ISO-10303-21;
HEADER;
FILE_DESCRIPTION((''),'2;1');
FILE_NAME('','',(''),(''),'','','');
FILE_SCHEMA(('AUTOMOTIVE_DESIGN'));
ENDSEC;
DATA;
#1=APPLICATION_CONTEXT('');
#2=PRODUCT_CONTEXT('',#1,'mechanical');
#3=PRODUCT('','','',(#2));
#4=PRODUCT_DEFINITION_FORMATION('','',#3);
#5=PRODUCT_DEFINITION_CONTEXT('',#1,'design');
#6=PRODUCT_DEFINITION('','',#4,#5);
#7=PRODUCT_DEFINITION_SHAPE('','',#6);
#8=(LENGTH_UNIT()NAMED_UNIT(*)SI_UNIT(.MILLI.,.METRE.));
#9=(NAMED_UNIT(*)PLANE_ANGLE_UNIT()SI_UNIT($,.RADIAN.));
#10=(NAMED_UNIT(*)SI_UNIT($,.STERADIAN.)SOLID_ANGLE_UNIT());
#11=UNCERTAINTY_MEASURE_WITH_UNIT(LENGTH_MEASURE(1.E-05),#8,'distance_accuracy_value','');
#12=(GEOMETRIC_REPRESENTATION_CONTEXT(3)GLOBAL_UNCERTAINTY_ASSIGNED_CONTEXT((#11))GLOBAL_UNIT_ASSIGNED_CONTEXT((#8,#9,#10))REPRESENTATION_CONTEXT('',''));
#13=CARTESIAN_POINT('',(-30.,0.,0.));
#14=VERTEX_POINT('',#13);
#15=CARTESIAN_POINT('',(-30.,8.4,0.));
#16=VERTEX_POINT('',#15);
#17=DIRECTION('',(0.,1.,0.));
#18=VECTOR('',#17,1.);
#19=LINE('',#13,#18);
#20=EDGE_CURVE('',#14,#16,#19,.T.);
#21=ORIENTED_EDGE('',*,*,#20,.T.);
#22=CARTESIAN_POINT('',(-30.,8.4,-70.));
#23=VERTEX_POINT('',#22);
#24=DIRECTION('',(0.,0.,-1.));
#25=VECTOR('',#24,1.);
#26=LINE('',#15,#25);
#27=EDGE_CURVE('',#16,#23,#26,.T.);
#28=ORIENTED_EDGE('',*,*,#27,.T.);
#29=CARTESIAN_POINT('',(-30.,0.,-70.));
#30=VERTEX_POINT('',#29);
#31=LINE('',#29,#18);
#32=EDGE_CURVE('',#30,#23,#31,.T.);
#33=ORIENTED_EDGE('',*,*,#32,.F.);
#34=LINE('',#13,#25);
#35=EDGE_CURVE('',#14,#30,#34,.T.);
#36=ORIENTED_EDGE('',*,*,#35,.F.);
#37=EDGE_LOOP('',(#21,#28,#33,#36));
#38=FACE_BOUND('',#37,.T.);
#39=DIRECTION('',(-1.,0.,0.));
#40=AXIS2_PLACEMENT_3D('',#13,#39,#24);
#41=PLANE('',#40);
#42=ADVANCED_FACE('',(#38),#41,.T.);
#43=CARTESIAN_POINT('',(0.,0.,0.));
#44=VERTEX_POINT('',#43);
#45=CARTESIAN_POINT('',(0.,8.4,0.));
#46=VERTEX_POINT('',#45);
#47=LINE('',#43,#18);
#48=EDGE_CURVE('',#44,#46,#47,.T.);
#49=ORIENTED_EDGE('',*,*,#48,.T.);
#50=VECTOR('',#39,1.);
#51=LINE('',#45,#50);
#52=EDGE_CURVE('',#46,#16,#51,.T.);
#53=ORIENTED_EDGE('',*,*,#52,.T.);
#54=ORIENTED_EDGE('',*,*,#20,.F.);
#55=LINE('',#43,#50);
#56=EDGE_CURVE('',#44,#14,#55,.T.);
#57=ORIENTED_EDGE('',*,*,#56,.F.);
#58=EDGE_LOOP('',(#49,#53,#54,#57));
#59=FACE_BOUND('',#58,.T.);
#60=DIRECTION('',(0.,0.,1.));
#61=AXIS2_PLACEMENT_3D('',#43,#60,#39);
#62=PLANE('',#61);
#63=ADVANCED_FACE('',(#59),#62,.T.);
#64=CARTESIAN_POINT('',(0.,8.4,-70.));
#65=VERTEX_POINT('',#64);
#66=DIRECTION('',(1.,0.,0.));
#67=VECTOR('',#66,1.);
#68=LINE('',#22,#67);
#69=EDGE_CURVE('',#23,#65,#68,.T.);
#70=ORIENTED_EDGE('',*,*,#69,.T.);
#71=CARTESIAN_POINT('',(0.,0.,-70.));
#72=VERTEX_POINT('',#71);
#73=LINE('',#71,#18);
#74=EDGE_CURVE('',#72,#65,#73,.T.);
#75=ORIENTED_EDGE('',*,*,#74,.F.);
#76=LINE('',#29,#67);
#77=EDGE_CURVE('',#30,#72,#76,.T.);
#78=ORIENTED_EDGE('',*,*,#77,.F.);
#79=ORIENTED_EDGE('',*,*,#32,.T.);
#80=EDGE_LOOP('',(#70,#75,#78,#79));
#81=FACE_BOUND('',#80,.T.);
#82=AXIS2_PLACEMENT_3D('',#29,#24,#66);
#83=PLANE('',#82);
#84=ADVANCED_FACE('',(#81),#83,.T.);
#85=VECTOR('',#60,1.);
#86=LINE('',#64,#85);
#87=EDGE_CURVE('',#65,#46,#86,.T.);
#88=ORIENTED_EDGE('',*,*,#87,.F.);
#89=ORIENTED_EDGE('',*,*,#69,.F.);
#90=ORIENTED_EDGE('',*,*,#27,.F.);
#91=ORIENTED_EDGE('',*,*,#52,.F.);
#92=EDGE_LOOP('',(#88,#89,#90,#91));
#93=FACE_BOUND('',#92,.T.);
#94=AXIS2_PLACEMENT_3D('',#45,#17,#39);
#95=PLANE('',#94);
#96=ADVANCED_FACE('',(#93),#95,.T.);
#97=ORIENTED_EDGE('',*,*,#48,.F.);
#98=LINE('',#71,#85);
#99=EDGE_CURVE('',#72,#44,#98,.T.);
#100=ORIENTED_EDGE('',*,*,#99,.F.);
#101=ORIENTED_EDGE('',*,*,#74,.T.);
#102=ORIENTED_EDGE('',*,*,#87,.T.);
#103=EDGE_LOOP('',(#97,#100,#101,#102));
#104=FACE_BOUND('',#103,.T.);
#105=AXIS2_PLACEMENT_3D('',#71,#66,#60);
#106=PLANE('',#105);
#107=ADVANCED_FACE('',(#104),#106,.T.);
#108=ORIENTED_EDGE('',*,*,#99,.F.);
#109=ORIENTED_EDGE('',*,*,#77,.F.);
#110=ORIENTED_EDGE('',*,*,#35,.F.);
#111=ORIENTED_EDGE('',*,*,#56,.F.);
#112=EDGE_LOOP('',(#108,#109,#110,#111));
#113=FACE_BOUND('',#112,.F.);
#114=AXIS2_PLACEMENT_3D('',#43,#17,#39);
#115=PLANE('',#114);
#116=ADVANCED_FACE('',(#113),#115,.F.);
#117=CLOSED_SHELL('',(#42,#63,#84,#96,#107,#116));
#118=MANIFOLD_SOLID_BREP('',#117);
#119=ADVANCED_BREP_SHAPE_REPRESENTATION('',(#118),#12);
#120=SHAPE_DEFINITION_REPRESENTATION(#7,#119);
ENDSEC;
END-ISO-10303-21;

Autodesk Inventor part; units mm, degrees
ref_plane "YZ Plane" through (0, 0, 0) normal (1, 0, 0) x (0, 1, 0)
ref_plane "XZ Plane" through (0, 0, 0) normal (0, 1, 0) x (-1, 0, 0)
ref_plane "XY Plane" through (0, 0, 0) normal (0, 0, 1) x (1, 0, 0)
sketch "Sketch1" plane through (0, 0, 0) normal (0, 1, 0) x (-1, 0, 0)
  line L0 (0, 0) -> (30, 0)
  line L1 (30, 0) -> (30, -70)
  line L2 (30, -70) -> (0, -70)
  line L3 (0, -70) -> (0, 0)
  dimension "d0" = 30
  dimension "d1" = 70
extrude "Extrusion1" add sketch "Sketch1" along normal blind 8.4
sketch "Sketch2" plane through (0, 8.4, 0) normal (0, 1, 0) x (1, 0, 0)
  line L0 (-30, 0) -> (0, 0) projected
  line L1 (-15, 0) -> (-15, 70) construction
  line L2 (0, 70) -> (-30, 70) projected
  line L3 (-30, 70) -> (-30, 0) projected
  line L4 (-30, 35) -> (0, 35) construction
  point P0 (-15, 35)
sketch "Sketch3" plane through (0, 0, 0) normal (0, -1, 0) x (1, 0, 0)
  line L0 (0, -70) -> (-30, -70) projected
  line L1 (0, 0) -> (0, -70) projected
  line L2 (-30, 0) -> (0, 0) projected
  line L3 (-30, -70) -> (-30, 0) projected
  line L4 (-30, 0) -> (0, 0) projected
  line L5 (-15, 0) -> (-15, -70) construction
  line L6 (0, 0) -> (0, -70) projected
  line L7 (0, -35) -> (-30, -35) construction
properties part number "ball transfer unit base" material "PLA Plastic"
